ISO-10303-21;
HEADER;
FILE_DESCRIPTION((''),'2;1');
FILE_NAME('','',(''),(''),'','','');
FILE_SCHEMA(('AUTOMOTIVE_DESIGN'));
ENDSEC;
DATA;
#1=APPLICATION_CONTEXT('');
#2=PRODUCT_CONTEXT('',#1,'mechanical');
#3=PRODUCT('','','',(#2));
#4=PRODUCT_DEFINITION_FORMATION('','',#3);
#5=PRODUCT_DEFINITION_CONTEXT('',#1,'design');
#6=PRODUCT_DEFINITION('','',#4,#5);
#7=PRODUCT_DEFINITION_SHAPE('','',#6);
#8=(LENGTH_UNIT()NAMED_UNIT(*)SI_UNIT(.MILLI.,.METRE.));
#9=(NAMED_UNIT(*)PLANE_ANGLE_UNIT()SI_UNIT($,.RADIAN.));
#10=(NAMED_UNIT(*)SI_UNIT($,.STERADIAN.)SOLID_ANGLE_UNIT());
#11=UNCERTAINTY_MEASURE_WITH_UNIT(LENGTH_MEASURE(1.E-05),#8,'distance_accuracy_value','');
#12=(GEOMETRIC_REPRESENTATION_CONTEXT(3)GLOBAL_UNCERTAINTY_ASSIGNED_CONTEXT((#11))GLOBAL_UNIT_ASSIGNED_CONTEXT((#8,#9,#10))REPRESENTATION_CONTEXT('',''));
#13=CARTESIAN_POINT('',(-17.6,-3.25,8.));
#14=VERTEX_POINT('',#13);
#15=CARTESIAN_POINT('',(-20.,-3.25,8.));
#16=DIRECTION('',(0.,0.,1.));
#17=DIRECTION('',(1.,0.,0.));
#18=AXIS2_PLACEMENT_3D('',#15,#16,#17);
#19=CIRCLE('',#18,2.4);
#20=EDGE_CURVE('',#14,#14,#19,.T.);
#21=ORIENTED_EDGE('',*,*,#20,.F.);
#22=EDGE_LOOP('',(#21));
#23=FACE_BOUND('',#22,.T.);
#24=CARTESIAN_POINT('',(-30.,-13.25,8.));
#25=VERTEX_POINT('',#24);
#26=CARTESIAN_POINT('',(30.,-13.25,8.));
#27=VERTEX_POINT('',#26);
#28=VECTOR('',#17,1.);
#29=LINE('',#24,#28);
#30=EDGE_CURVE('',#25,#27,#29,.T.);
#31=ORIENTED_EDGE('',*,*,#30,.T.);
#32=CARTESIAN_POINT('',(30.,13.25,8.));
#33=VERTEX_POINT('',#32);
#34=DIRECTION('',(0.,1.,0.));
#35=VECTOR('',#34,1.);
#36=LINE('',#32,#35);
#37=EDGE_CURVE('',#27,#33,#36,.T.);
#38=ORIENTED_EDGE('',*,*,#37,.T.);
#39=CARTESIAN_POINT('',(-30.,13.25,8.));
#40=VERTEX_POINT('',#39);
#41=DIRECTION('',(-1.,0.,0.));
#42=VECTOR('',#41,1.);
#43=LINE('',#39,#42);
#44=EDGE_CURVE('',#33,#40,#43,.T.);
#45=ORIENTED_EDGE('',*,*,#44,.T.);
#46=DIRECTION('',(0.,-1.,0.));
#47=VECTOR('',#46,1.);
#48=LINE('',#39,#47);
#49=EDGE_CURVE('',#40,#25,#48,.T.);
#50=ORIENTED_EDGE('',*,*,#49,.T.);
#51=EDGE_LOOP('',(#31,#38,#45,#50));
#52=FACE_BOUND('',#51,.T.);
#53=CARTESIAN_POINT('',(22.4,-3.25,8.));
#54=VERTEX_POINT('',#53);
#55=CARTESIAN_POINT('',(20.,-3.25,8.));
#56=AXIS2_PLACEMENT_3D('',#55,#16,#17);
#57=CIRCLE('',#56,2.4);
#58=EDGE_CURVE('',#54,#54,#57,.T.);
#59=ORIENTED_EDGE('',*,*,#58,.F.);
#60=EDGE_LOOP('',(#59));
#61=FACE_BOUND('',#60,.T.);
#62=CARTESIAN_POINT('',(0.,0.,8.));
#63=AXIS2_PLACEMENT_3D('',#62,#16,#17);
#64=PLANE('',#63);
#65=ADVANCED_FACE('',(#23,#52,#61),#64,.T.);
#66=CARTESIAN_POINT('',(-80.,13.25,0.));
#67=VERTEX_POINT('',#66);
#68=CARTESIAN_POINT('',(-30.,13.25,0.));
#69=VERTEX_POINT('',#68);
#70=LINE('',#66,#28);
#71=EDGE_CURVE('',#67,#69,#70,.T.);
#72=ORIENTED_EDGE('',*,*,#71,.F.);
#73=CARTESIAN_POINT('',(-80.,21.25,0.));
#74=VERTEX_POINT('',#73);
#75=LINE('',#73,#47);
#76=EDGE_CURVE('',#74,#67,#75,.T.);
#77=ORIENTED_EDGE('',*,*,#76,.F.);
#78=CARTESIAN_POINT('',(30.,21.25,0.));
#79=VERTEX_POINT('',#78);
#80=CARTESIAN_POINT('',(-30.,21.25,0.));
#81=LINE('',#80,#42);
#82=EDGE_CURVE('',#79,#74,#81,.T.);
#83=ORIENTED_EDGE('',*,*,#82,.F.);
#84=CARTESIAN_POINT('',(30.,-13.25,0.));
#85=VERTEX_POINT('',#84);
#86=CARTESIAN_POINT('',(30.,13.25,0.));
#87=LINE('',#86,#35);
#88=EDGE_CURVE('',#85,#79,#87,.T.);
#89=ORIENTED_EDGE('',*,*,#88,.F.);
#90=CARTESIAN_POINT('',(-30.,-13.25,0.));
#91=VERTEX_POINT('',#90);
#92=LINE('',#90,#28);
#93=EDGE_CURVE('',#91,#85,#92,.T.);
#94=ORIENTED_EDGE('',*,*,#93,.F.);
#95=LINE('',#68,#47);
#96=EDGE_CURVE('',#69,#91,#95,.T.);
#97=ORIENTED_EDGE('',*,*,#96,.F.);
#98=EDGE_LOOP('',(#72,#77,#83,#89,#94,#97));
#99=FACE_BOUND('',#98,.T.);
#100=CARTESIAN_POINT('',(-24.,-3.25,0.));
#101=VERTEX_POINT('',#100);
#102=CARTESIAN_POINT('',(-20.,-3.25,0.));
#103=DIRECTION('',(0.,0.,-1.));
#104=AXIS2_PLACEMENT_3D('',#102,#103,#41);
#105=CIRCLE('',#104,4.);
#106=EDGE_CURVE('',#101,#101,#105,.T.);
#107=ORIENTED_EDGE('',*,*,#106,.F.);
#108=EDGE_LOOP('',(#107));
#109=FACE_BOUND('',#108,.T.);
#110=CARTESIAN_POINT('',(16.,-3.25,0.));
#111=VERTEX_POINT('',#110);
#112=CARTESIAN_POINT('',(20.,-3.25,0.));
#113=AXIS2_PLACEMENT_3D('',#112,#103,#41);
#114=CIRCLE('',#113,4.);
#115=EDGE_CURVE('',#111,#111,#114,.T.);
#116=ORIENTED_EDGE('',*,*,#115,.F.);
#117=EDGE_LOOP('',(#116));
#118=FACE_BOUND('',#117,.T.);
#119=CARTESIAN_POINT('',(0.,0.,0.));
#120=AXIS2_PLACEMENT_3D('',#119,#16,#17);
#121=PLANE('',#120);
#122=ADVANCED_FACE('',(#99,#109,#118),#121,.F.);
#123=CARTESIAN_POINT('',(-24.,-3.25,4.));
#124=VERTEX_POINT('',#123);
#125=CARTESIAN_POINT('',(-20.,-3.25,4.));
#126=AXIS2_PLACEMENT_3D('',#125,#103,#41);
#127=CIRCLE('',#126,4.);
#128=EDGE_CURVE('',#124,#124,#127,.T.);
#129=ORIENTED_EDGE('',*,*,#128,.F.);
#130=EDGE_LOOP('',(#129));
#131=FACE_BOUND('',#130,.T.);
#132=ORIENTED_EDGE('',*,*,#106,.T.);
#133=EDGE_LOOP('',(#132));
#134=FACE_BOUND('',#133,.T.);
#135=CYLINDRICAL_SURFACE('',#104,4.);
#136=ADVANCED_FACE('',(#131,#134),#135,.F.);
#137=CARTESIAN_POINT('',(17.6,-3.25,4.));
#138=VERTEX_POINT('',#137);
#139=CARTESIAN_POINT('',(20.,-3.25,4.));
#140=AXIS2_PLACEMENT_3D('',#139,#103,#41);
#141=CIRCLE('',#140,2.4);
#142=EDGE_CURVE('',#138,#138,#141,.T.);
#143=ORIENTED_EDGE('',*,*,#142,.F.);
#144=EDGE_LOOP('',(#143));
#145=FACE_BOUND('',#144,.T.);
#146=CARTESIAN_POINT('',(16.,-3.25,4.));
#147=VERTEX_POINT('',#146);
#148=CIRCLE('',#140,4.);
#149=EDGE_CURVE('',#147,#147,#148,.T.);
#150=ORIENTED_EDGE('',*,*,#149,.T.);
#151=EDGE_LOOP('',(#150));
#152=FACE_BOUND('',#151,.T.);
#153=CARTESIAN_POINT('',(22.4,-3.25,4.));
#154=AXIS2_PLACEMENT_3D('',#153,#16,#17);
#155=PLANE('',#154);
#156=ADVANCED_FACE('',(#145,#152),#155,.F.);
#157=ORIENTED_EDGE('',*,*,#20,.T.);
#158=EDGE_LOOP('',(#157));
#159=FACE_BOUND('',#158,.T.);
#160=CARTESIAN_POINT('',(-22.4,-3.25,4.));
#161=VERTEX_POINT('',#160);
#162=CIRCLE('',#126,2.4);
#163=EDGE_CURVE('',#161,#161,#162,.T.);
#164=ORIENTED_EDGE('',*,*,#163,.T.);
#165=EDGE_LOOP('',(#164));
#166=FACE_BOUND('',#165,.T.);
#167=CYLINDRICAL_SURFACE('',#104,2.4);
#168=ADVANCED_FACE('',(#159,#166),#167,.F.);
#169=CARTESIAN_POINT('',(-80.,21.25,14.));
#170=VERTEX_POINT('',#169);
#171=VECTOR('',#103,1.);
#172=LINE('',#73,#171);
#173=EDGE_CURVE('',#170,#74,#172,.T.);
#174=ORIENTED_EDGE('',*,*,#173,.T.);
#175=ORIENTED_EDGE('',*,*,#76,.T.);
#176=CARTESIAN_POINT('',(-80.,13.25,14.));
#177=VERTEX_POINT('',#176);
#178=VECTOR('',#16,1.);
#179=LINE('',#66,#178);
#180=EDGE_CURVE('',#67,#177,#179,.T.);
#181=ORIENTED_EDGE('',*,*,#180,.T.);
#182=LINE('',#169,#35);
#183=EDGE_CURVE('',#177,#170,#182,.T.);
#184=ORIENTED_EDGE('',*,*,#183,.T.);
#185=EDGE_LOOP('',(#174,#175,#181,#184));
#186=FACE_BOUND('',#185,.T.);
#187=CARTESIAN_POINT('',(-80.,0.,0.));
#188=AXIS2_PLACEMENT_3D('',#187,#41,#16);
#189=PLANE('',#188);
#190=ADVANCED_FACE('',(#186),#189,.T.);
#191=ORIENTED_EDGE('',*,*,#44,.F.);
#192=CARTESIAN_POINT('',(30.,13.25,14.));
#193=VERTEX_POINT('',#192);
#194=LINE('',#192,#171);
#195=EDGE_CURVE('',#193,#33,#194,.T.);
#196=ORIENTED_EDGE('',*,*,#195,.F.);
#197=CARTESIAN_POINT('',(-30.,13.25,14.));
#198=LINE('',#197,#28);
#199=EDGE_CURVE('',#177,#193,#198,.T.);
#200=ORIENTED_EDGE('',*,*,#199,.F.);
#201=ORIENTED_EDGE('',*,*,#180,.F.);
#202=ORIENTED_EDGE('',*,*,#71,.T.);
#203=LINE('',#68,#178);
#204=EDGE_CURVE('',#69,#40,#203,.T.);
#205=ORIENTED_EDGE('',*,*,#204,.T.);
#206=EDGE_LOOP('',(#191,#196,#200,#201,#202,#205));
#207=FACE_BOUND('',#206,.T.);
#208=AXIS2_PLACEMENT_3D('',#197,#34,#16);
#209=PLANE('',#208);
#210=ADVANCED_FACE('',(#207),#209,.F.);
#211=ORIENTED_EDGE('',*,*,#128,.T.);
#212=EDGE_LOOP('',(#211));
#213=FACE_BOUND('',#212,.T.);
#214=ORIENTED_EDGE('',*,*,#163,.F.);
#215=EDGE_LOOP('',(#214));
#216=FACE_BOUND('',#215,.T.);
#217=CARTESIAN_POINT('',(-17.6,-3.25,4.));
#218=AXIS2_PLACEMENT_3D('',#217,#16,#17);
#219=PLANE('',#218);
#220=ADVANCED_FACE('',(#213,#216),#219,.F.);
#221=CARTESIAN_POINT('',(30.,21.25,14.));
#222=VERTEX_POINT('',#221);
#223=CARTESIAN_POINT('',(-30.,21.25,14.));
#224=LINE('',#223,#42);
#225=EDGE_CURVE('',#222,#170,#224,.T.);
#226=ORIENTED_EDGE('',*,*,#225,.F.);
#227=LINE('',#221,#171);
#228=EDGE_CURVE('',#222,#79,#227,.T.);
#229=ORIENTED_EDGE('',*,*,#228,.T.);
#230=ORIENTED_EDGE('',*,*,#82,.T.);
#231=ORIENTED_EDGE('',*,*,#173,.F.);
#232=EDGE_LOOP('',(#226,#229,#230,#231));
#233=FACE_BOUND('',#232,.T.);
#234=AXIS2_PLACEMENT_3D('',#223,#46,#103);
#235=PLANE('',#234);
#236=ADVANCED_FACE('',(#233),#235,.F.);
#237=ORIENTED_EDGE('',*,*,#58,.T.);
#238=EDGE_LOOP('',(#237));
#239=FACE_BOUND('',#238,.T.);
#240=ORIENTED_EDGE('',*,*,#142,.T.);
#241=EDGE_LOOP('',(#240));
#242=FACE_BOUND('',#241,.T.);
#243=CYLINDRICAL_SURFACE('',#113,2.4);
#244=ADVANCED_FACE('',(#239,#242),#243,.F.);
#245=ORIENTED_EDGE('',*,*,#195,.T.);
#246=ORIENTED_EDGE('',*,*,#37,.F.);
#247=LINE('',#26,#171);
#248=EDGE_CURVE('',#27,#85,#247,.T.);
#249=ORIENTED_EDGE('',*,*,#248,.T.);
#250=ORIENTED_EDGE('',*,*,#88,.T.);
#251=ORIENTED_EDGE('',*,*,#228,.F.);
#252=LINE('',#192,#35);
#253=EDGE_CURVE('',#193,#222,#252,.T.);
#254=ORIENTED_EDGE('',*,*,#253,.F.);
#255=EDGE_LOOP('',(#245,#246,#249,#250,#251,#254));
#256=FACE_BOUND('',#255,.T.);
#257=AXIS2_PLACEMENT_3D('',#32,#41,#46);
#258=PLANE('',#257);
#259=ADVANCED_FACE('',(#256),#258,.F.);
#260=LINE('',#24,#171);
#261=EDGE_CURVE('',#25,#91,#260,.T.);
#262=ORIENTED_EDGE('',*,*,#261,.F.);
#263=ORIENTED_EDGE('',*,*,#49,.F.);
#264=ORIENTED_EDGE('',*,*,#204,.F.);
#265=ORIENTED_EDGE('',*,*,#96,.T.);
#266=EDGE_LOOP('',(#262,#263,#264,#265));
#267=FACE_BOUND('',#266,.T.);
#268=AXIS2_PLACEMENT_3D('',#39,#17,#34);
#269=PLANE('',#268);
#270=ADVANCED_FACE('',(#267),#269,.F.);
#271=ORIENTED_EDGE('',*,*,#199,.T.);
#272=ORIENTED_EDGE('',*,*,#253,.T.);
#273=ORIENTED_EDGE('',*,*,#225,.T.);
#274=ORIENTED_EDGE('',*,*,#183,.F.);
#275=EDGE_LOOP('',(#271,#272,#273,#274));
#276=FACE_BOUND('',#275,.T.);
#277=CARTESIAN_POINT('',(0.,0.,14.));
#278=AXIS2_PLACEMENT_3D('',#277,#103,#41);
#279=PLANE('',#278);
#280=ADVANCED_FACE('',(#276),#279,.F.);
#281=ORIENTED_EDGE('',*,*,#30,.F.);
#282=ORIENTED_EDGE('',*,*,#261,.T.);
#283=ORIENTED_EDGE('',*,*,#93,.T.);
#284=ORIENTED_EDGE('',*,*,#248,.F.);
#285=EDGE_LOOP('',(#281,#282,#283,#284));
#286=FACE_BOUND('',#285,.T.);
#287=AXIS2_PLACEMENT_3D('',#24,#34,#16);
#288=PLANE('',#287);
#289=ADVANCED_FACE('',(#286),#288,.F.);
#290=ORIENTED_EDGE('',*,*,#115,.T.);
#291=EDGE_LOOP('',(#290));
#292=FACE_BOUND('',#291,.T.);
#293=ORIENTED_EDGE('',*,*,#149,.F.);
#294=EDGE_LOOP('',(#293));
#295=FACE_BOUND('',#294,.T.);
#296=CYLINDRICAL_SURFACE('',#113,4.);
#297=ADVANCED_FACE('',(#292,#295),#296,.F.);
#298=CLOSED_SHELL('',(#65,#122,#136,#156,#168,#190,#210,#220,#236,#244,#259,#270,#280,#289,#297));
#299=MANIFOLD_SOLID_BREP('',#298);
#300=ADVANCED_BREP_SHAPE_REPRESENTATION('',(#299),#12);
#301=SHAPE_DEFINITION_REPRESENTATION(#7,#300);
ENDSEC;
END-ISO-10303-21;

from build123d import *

# Parameters (mm, degrees)
SKETCH_1_W                   = 60
SKETCH_1_H                   = 26.5
EXTRUDE_1_DEPTH              = 8
EXTRUDE_2_DEPTH              = 6
EXTRUDE_2_DEPTH_BACK         = 8
SKETCH_2_W                   = 60
SKETCH_2_H                   = 8
HOLE_WIZARD_M4_1_D           = 4.8
HOLE_WIZARD_M4_1_DEPTH       = 10.1
HOLE_WIZARD_M4_1_CBORE_D     = 8
HOLE_WIZARD_M4_1_CBORE_DEPTH = 4
HOLE_WIZARD_M4_1_TIP         = 1.442065486
SKETCH_7_W                   = 14
SKETCH_7_H                   = 8
EXTRUDE_3_DEPTH              = 50


with BuildPart() as part:
    # 스케치1 → 보스-돌출1 (new body)
    with BuildSketch(Plane.XY):
        Rectangle(SKETCH_1_W, SKETCH_1_H)
    extrude(amount=EXTRUDE_1_DEPTH)

    # 스케치2 → 보스-돌출2 (add, two sides: drawn at the far end of the back side and taken through both)
    with BuildSketch(Plane.XY.offset(8).offset(-EXTRUDE_2_DEPTH_BACK)):
        with Locations((0, 17.25)):
            Rectangle(SKETCH_2_W, SKETCH_2_H)
    extrude(amount=EXTRUDE_2_DEPTH + EXTRUDE_2_DEPTH_BACK)

    # M4 소켓 머리 캡 나사용 카운터보어1
    with Locations(Plane(origin=(0, 0, 0), x_dir=(-1, 0, 0), z_dir=(0, 0, -1))):
        with Locations((-20, -3.25), (20, -3.25)):
            CounterBoreHole(HOLE_WIZARD_M4_1_D / 2, HOLE_WIZARD_M4_1_CBORE_D / 2, HOLE_WIZARD_M4_1_CBORE_DEPTH, depth=HOLE_WIZARD_M4_1_DEPTH)
            with Locations((0, 0, -(HOLE_WIZARD_M4_1_DEPTH + HOLE_WIZARD_M4_1_TIP / 2))):  # 118° drill point
                Cone(0, HOLE_WIZARD_M4_1_D / 2, HOLE_WIZARD_M4_1_TIP, mode=Mode.SUBTRACT)

    # 스케치7 → 보스-돌출3 (add)
    with BuildSketch(Plane.ZY.offset(30)):
        with Locations((7, 17.25)):
            Rectangle(SKETCH_7_W, SKETCH_7_H)
    extrude(amount=EXTRUDE_3_DEPTH)


solid = part.part
